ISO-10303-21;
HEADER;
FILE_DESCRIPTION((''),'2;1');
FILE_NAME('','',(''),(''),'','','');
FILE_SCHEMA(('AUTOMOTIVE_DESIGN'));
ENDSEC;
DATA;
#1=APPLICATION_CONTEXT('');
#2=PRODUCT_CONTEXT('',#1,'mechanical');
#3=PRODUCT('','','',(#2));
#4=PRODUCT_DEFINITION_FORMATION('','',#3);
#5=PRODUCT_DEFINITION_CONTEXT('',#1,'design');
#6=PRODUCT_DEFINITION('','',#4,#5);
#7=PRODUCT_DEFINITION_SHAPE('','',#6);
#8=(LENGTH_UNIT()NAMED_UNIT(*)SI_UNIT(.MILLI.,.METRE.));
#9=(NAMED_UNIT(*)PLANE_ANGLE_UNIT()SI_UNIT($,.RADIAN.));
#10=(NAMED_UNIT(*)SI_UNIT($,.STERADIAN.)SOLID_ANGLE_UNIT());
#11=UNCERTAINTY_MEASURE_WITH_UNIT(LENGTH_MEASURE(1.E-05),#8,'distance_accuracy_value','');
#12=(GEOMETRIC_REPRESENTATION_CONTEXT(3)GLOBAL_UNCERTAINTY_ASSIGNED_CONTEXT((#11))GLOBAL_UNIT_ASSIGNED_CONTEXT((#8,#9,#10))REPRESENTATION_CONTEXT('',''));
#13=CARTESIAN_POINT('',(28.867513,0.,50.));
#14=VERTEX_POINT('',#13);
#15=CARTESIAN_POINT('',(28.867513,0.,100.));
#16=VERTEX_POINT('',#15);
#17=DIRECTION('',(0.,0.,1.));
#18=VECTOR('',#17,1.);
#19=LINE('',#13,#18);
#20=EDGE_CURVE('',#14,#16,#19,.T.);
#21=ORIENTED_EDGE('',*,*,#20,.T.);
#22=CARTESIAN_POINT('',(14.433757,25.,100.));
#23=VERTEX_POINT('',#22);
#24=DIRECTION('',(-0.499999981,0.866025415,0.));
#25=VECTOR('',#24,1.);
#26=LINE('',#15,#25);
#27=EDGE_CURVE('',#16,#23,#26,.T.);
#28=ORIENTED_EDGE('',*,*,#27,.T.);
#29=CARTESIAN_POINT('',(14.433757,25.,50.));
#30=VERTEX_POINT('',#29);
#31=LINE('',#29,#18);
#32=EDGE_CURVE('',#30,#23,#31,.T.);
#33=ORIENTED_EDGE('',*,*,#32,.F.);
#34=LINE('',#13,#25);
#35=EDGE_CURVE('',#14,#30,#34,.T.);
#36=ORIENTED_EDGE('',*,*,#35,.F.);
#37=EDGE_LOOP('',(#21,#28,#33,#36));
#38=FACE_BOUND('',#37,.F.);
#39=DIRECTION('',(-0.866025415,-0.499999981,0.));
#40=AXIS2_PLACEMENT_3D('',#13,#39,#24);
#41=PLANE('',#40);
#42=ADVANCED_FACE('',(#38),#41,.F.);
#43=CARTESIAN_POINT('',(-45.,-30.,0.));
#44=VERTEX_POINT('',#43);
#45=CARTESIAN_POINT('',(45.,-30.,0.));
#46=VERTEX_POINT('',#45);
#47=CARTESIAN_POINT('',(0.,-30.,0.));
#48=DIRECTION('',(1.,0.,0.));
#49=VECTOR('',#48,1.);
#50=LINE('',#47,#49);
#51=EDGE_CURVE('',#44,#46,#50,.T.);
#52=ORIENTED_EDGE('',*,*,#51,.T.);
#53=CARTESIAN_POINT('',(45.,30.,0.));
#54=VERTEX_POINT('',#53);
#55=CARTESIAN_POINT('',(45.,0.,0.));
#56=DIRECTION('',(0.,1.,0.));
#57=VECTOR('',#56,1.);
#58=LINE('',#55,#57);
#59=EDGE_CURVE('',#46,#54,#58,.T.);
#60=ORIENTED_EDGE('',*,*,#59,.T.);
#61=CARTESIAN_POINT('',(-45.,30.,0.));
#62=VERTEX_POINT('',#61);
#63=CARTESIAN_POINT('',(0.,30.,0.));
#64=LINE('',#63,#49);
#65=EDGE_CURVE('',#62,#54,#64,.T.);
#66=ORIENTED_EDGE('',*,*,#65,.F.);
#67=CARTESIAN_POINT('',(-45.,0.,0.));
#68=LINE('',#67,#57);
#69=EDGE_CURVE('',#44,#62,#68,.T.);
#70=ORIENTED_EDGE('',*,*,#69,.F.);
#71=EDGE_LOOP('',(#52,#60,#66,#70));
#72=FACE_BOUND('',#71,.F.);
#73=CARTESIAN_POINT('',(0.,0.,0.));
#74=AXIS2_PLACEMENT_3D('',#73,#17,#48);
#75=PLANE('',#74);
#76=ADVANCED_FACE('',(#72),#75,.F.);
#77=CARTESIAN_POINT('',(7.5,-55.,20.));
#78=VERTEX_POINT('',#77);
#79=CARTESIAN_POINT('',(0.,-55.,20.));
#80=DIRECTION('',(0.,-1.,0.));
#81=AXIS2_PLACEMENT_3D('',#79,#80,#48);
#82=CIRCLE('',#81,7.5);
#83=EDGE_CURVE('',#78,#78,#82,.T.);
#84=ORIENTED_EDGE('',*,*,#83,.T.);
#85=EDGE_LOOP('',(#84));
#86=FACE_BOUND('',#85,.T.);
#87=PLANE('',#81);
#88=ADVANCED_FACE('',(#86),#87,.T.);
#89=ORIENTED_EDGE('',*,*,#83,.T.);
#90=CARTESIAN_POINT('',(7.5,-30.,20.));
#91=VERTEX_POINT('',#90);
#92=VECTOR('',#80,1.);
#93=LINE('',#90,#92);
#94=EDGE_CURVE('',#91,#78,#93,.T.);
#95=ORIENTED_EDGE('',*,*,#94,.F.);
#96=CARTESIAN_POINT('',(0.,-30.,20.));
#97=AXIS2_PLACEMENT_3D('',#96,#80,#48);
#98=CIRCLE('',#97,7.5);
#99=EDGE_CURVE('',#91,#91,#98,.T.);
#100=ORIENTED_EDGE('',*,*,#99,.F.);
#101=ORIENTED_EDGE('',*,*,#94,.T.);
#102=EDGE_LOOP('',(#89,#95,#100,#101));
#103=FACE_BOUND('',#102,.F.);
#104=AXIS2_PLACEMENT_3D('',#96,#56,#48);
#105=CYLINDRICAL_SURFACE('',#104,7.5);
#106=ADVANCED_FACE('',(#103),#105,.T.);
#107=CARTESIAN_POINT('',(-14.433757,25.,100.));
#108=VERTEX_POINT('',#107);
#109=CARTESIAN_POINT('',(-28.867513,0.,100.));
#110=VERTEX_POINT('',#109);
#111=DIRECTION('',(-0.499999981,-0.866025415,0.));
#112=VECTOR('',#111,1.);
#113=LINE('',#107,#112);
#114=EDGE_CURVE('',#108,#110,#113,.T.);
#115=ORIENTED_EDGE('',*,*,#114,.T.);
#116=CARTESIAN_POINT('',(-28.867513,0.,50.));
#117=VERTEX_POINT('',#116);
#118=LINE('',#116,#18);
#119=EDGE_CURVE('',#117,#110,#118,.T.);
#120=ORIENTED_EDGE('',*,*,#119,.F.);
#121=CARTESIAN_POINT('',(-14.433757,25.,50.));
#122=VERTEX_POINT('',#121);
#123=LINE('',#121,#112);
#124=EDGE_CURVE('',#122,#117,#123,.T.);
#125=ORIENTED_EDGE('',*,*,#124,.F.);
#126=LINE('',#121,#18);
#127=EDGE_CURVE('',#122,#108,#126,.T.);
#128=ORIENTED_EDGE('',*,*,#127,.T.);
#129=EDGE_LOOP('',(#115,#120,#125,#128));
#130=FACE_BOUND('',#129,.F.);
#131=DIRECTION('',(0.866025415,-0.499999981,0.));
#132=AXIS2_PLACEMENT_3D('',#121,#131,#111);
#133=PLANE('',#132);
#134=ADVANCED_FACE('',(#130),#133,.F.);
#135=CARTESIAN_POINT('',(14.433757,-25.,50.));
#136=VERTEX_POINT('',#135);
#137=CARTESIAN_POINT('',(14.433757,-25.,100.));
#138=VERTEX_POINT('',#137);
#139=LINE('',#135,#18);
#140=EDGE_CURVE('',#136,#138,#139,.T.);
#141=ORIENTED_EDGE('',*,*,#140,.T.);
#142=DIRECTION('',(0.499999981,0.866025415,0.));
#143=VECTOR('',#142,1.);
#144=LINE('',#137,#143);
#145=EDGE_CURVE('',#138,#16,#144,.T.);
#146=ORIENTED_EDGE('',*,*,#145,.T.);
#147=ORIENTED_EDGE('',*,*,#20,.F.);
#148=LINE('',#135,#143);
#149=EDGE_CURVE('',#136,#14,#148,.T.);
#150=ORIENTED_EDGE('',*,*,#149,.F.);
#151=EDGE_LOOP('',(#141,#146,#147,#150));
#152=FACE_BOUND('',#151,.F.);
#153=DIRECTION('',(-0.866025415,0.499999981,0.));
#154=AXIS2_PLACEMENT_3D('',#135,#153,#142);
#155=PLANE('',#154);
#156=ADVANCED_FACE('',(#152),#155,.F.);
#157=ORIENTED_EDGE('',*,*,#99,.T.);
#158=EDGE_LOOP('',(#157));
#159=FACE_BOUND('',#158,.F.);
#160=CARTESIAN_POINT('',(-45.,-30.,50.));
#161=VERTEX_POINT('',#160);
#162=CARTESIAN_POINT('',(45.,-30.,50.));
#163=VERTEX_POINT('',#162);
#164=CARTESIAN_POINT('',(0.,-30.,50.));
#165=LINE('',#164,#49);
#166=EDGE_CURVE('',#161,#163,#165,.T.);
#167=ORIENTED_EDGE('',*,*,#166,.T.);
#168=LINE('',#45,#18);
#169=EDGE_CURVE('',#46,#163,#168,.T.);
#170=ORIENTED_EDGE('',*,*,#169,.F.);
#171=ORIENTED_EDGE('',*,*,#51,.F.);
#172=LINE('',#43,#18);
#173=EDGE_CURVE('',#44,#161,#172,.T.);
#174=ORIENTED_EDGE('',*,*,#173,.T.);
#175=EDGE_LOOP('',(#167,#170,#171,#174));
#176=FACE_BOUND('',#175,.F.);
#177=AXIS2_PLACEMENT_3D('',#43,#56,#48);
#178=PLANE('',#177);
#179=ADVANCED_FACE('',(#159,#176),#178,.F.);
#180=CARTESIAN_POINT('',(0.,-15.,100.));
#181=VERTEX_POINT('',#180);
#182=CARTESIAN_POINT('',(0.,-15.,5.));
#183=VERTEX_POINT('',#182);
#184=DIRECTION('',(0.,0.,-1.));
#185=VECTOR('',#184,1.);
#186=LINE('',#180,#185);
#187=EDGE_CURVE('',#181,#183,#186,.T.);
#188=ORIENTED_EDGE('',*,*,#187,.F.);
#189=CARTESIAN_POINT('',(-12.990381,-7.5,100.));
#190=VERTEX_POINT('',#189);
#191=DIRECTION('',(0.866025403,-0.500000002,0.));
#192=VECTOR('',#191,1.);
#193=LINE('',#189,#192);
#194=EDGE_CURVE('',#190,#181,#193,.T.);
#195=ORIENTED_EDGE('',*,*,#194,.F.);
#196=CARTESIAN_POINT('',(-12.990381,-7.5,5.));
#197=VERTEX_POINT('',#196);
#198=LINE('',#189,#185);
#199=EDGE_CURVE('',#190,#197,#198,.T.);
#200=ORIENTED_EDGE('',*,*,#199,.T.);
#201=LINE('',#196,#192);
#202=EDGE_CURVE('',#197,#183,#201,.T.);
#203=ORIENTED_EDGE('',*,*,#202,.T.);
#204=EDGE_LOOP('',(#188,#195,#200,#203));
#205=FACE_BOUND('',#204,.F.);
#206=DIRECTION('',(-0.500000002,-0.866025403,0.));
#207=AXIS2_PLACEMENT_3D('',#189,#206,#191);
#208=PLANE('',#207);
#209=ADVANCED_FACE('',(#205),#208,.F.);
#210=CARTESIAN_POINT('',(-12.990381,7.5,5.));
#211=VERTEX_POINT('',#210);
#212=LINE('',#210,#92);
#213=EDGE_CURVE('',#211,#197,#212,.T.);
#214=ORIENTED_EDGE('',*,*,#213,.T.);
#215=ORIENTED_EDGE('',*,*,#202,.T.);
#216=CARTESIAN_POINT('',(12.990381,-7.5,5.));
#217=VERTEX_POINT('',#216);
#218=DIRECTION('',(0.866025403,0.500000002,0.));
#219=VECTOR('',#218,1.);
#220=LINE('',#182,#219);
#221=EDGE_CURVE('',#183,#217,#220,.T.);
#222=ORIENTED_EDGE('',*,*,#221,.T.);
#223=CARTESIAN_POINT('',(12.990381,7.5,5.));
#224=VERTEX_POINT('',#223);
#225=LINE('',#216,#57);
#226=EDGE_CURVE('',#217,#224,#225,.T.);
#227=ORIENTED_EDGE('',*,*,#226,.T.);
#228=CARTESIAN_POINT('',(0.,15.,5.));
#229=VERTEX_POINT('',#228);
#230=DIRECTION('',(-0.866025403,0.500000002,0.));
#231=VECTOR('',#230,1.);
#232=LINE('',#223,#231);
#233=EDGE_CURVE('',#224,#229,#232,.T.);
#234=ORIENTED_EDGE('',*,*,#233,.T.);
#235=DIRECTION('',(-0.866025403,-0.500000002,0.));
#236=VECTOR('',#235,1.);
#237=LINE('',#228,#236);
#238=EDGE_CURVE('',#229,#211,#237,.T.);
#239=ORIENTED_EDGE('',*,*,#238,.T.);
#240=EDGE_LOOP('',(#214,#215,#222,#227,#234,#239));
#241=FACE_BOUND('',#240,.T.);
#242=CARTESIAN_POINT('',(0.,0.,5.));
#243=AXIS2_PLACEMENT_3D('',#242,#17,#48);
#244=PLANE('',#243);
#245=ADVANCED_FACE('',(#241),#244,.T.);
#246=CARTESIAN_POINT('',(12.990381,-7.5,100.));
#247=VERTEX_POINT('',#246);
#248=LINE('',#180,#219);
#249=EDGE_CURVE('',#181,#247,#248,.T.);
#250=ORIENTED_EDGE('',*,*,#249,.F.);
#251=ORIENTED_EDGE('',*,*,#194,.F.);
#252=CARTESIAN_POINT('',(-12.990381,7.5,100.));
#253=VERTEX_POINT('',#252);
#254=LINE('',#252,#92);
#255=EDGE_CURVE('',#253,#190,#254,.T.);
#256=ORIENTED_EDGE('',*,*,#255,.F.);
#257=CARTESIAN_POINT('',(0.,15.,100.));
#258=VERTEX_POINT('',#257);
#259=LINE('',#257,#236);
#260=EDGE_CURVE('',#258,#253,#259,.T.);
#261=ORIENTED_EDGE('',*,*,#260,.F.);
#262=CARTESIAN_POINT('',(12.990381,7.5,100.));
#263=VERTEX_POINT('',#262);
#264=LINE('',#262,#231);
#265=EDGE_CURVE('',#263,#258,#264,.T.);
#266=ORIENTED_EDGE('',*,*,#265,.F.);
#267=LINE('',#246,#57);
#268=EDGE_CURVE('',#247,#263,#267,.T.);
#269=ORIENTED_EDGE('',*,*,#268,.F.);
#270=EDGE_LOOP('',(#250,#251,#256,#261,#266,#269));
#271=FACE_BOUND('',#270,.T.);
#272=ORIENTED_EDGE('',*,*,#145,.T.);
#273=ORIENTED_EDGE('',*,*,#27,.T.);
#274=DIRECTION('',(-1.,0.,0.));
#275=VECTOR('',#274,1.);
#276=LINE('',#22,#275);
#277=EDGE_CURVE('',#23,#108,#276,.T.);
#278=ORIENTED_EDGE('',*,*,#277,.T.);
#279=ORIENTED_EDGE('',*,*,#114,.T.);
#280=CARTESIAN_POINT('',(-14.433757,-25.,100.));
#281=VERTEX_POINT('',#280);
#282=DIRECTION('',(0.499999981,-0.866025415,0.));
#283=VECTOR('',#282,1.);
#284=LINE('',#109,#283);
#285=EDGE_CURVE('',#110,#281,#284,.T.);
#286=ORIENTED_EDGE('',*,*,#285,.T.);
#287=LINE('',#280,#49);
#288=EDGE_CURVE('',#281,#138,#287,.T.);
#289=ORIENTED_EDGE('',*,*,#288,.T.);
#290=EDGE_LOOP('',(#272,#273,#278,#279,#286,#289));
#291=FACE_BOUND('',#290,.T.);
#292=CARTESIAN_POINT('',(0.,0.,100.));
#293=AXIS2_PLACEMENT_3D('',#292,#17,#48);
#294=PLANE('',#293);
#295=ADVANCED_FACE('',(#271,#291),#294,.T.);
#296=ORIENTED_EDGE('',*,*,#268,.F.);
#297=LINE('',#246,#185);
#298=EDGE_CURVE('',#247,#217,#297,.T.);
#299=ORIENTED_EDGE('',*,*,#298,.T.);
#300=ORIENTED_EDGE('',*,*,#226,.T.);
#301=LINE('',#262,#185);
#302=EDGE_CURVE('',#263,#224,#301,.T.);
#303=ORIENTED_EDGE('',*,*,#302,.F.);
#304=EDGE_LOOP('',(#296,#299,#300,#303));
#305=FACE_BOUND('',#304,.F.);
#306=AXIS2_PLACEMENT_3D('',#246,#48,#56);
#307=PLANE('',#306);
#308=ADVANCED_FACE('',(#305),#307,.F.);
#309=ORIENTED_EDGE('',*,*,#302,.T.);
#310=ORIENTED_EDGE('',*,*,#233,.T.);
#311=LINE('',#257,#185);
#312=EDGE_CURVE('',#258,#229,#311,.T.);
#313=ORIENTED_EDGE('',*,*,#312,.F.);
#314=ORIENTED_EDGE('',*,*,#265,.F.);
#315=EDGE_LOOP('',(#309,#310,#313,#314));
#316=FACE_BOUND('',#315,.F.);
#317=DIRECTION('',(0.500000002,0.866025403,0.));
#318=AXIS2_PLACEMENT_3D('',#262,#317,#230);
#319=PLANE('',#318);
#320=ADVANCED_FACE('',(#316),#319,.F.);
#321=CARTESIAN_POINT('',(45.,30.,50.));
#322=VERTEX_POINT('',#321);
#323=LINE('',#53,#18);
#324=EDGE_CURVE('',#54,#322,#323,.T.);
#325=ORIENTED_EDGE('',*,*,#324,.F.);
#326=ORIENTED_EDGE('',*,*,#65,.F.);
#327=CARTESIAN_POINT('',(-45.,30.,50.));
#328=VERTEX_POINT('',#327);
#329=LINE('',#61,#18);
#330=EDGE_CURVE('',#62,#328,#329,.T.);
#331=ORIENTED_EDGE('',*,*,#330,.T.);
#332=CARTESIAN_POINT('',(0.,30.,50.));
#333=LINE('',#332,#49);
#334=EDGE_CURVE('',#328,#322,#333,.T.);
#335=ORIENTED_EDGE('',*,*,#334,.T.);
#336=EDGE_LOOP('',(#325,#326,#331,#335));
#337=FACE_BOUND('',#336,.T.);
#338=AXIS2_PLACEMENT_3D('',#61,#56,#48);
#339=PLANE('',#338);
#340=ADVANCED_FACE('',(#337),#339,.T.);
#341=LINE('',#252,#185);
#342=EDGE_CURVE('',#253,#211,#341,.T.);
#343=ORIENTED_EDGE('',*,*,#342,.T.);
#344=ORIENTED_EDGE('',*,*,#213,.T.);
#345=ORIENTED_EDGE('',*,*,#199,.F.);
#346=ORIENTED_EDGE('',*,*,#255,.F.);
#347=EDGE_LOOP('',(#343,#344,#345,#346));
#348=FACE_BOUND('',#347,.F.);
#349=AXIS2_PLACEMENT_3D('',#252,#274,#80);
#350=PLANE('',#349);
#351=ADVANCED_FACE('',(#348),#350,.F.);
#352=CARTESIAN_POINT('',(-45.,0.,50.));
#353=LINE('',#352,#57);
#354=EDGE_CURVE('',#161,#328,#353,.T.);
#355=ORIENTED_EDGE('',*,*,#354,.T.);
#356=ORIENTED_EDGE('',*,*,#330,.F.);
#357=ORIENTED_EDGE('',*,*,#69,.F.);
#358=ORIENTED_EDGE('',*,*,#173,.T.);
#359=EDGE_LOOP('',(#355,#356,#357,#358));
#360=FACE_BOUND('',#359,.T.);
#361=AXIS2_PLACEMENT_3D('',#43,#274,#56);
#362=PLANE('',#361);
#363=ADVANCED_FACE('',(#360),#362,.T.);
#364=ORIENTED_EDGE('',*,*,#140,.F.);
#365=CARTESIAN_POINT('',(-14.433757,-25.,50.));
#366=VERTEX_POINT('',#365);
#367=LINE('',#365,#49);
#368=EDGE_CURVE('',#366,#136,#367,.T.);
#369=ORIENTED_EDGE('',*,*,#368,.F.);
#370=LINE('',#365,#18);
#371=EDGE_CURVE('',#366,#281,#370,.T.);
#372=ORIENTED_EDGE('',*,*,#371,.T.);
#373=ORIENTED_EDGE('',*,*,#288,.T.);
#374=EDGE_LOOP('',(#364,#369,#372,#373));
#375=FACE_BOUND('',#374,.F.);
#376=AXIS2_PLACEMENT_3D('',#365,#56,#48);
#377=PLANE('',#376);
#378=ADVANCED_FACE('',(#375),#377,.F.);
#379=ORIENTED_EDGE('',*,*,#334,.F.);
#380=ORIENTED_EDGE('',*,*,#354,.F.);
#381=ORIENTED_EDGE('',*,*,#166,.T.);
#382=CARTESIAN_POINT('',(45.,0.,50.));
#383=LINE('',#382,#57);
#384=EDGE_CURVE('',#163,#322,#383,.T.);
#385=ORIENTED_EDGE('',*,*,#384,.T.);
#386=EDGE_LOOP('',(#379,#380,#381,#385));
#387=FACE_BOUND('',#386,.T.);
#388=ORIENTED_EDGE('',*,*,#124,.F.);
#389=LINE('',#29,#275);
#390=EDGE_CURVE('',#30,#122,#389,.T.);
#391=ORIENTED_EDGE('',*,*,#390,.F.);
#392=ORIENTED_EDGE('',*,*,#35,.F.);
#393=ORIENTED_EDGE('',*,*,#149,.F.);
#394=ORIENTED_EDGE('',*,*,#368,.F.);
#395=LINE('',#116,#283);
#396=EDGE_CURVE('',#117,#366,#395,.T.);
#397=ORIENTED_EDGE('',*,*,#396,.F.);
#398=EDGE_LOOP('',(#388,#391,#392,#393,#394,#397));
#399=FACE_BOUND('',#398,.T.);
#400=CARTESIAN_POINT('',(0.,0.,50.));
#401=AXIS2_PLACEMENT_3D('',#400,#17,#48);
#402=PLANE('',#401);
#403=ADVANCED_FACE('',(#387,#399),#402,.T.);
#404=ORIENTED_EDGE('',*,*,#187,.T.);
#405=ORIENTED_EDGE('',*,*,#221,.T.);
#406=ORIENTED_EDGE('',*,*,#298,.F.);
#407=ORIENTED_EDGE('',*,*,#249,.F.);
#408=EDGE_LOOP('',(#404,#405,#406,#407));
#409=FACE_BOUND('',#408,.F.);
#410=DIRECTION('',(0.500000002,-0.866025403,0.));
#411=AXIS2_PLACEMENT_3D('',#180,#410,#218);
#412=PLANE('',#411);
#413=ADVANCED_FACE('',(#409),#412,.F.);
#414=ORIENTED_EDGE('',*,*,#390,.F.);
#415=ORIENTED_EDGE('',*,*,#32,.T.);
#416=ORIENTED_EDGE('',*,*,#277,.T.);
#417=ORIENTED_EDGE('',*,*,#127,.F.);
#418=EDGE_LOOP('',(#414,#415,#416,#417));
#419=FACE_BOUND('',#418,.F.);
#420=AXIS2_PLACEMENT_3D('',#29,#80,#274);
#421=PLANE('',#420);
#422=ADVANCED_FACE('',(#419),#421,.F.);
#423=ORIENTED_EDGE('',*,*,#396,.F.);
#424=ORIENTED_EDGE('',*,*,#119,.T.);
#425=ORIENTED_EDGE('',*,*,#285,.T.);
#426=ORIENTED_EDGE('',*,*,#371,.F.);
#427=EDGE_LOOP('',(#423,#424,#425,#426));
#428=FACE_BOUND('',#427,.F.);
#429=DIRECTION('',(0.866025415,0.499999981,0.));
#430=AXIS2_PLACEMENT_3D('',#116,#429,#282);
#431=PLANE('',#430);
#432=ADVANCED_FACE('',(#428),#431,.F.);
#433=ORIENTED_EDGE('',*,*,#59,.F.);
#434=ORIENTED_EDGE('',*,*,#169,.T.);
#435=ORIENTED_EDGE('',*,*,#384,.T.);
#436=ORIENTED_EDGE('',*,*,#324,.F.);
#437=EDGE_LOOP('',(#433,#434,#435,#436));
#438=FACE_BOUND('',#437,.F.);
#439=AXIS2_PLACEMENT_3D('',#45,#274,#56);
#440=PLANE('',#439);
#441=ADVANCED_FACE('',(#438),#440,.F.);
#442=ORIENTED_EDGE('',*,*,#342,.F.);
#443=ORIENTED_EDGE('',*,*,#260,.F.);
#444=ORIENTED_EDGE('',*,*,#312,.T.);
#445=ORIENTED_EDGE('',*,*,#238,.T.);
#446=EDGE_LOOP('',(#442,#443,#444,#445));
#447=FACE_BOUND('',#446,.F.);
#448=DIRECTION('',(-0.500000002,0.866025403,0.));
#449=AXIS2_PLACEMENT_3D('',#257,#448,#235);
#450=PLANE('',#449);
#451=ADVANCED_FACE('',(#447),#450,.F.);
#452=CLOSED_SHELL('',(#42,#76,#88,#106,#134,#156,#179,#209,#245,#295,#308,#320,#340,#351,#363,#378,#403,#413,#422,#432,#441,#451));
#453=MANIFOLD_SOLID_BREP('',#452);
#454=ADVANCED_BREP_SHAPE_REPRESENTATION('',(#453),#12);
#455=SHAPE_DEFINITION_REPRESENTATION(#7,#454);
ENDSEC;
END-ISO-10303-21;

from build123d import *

# Parameters (mm, degrees)
F0_W     = 90
F0_H     = 60
F1_DEPTH = 50
F2_R     = 7.5
F3_DEPTH = 25
F5_DEPTH = 50
F7_DEPTH = 95


with BuildPart() as f1:
    # F0 (on Top) → F1 (new body)
    with BuildSketch(Plane.XY):
        Rectangle(F0_W, F0_H)
    extrude(amount=F1_DEPTH)

    # F2 (on face) → F3 (join)
    with BuildSketch(Plane.XZ.offset(30)):
        with Locations((0, 20)):
            Circle(F2_R)
    extrude(amount=F3_DEPTH)

    # F4 (on face) → F5 (join)
    with BuildSketch(Plane.XY.offset(50)):
        Polygon((-14.433757, -25), (14.433757, -25), (28.867513, 0), (14.433757, 25), (-14.433757, 25), (-28.867513, 0), align=None)
    extrude(amount=F5_DEPTH)

    # F6 (on face) → F7 (cut)
    with BuildSketch(Plane.XY.offset(100)):
        Polygon((12.990381, 7.5), (0, 15), (-12.990381, 7.5), (-12.990381, -7.5), (0, -15), (12.990381, -7.5), align=None)
    extrude(amount=-F7_DEPTH, mode=Mode.SUBTRACT)


solid = f1.part
